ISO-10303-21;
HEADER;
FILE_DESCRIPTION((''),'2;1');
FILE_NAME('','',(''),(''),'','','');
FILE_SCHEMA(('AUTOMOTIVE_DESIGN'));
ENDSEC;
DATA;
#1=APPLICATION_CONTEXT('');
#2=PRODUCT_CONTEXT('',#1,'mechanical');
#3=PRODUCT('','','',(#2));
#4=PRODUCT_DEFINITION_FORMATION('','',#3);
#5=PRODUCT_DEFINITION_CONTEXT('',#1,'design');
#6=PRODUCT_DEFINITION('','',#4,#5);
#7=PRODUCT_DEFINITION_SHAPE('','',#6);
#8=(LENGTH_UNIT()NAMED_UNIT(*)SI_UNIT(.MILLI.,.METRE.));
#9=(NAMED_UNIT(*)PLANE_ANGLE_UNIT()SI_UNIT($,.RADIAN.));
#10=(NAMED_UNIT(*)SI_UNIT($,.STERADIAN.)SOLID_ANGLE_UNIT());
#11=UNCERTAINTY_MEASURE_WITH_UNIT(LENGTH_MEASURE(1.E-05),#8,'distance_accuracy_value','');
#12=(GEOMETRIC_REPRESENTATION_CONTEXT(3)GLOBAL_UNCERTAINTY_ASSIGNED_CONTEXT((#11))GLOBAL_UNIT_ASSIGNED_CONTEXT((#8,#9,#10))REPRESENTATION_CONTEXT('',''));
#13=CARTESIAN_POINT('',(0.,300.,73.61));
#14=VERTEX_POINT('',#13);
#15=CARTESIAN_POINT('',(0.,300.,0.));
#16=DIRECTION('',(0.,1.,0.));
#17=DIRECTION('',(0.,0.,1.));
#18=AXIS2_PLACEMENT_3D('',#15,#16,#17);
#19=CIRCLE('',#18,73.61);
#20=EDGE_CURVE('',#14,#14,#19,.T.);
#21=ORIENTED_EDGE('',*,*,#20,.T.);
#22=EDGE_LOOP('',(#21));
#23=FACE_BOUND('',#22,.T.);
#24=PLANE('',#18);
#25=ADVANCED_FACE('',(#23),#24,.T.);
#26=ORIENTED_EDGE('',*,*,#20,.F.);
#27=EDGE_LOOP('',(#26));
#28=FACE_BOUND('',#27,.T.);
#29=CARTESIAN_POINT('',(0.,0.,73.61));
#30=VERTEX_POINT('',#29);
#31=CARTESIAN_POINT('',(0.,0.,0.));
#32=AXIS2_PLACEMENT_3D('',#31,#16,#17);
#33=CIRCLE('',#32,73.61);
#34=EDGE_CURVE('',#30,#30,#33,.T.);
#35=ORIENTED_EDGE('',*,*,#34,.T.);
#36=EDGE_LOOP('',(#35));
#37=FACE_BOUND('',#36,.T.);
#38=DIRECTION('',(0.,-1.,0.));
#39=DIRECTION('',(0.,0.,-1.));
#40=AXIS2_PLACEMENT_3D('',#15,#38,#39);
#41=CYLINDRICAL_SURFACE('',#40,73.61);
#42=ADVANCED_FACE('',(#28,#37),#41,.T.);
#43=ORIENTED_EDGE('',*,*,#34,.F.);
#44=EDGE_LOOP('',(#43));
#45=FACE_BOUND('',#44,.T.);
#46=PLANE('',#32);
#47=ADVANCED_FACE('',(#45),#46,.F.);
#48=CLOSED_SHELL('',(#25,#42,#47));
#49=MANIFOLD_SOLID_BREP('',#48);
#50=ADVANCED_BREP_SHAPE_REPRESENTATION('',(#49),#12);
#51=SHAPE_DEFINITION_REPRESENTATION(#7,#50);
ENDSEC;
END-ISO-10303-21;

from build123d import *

# Parameters (mm, degrees)
ESQUISSE1_R        = 73.61
BOSS_EXTRU_1_DEPTH = 300


with BuildPart() as part:
    # Esquisse1 → Boss.-Extru.1 (new body)
    with BuildSketch(Plane(origin=(0, 0, 0), x_dir=(1, 0, 0), z_dir=(0, 1, 0))):
        with Locations(Location((0, 0, 0), (0, 0, 270))):
            Circle(ESQUISSE1_R)
    extrude(amount=BOSS_EXTRU_1_DEPTH)


solid = part.part
